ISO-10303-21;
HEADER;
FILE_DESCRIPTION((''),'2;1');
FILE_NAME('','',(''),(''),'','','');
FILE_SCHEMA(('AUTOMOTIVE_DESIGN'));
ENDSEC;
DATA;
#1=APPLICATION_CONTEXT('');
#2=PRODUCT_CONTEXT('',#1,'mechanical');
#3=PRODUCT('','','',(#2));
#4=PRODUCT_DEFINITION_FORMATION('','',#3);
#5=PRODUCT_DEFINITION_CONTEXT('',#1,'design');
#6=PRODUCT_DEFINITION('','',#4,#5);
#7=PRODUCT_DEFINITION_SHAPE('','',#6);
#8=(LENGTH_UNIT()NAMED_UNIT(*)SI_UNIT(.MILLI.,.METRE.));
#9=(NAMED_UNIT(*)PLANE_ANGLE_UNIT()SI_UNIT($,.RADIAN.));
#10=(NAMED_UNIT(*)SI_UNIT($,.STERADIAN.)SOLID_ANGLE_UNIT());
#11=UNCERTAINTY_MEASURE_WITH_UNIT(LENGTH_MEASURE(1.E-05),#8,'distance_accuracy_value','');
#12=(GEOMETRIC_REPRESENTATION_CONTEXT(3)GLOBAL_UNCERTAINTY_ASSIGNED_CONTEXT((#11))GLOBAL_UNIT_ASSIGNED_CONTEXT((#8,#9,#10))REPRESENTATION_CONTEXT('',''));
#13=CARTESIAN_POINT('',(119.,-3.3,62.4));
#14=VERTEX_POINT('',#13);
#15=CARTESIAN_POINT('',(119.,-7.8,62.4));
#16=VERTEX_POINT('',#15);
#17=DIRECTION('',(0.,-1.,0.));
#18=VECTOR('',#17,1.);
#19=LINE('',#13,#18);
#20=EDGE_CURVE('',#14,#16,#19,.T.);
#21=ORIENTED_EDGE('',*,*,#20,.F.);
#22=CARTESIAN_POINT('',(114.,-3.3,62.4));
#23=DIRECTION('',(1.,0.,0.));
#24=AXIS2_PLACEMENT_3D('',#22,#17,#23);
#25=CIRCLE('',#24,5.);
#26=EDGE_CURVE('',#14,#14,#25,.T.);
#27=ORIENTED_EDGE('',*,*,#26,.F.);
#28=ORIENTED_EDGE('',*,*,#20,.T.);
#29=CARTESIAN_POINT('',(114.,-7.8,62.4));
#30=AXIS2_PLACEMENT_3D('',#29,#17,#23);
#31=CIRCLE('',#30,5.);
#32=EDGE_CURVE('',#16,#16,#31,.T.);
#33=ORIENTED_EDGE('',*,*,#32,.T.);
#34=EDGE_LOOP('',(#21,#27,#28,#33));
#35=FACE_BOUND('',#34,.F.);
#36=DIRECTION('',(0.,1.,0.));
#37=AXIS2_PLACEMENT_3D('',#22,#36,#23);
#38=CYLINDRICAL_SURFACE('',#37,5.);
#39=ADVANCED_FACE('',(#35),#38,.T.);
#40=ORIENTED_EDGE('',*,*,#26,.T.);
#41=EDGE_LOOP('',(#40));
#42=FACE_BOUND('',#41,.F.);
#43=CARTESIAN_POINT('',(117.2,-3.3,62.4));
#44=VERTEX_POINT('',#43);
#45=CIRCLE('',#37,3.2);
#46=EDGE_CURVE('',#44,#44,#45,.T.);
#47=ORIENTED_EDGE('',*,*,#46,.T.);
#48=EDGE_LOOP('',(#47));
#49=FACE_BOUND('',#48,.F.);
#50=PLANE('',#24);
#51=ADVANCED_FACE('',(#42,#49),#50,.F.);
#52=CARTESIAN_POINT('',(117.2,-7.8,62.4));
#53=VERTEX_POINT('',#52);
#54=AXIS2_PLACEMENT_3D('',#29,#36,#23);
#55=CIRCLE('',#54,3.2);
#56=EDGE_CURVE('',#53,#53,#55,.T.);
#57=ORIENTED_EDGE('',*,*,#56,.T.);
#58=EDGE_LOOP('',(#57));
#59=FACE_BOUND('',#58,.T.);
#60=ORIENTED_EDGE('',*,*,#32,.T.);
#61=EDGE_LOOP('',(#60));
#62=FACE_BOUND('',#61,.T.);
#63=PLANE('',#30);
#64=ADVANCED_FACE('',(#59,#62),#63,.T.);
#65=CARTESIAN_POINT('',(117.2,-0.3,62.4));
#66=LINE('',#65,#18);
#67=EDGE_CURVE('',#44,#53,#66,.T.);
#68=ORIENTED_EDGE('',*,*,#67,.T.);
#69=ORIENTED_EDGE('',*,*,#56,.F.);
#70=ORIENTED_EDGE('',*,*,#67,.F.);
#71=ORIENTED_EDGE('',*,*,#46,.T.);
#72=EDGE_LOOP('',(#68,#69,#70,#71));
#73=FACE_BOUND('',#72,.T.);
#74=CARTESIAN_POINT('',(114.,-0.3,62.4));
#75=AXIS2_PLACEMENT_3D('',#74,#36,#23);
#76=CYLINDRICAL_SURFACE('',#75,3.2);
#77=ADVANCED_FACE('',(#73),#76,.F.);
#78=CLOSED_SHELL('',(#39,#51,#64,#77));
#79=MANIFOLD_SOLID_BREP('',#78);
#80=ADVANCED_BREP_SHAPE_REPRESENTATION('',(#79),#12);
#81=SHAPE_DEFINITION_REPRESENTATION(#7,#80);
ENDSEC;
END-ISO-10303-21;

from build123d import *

# Parameters (mm, degrees)
CYLINDER233_R          = 3.2
CYLINDER233_DEPTH      = 16
CYLINDER_R             = 5
CYLINDER_DEPTH         = 4.5
CUT277_PLACEMENT_ANGLE = 90


with BuildPart() as cylinder233:
    # Cylinder233 → Cylinder233 (new body)
    with BuildSketch(Plane.XY.offset(-3)):
        Circle(CYLINDER233_R)
    extrude(amount=CYLINDER233_DEPTH)


with BuildPart() as cut277:
    # Cylinder → Cylinder (new body)
    with BuildSketch(Plane.XY):
        Circle(CYLINDER_R)
    extrude(amount=CYLINDER_DEPTH)

    # Cut277: cut Cylinder233
    add(cylinder233.part, mode=Mode.SUBTRACT)


with BuildPart() as cut277_1:
    # Cut277 placement: moved
    add(cut277.part.moved(Location((114, -3.3, 62.4))).rotate(Axis((114, -3.3, 62.4), (1, 0, 0)), CUT277_PLACEMENT_ANGLE))


solid = cut277_1.part
